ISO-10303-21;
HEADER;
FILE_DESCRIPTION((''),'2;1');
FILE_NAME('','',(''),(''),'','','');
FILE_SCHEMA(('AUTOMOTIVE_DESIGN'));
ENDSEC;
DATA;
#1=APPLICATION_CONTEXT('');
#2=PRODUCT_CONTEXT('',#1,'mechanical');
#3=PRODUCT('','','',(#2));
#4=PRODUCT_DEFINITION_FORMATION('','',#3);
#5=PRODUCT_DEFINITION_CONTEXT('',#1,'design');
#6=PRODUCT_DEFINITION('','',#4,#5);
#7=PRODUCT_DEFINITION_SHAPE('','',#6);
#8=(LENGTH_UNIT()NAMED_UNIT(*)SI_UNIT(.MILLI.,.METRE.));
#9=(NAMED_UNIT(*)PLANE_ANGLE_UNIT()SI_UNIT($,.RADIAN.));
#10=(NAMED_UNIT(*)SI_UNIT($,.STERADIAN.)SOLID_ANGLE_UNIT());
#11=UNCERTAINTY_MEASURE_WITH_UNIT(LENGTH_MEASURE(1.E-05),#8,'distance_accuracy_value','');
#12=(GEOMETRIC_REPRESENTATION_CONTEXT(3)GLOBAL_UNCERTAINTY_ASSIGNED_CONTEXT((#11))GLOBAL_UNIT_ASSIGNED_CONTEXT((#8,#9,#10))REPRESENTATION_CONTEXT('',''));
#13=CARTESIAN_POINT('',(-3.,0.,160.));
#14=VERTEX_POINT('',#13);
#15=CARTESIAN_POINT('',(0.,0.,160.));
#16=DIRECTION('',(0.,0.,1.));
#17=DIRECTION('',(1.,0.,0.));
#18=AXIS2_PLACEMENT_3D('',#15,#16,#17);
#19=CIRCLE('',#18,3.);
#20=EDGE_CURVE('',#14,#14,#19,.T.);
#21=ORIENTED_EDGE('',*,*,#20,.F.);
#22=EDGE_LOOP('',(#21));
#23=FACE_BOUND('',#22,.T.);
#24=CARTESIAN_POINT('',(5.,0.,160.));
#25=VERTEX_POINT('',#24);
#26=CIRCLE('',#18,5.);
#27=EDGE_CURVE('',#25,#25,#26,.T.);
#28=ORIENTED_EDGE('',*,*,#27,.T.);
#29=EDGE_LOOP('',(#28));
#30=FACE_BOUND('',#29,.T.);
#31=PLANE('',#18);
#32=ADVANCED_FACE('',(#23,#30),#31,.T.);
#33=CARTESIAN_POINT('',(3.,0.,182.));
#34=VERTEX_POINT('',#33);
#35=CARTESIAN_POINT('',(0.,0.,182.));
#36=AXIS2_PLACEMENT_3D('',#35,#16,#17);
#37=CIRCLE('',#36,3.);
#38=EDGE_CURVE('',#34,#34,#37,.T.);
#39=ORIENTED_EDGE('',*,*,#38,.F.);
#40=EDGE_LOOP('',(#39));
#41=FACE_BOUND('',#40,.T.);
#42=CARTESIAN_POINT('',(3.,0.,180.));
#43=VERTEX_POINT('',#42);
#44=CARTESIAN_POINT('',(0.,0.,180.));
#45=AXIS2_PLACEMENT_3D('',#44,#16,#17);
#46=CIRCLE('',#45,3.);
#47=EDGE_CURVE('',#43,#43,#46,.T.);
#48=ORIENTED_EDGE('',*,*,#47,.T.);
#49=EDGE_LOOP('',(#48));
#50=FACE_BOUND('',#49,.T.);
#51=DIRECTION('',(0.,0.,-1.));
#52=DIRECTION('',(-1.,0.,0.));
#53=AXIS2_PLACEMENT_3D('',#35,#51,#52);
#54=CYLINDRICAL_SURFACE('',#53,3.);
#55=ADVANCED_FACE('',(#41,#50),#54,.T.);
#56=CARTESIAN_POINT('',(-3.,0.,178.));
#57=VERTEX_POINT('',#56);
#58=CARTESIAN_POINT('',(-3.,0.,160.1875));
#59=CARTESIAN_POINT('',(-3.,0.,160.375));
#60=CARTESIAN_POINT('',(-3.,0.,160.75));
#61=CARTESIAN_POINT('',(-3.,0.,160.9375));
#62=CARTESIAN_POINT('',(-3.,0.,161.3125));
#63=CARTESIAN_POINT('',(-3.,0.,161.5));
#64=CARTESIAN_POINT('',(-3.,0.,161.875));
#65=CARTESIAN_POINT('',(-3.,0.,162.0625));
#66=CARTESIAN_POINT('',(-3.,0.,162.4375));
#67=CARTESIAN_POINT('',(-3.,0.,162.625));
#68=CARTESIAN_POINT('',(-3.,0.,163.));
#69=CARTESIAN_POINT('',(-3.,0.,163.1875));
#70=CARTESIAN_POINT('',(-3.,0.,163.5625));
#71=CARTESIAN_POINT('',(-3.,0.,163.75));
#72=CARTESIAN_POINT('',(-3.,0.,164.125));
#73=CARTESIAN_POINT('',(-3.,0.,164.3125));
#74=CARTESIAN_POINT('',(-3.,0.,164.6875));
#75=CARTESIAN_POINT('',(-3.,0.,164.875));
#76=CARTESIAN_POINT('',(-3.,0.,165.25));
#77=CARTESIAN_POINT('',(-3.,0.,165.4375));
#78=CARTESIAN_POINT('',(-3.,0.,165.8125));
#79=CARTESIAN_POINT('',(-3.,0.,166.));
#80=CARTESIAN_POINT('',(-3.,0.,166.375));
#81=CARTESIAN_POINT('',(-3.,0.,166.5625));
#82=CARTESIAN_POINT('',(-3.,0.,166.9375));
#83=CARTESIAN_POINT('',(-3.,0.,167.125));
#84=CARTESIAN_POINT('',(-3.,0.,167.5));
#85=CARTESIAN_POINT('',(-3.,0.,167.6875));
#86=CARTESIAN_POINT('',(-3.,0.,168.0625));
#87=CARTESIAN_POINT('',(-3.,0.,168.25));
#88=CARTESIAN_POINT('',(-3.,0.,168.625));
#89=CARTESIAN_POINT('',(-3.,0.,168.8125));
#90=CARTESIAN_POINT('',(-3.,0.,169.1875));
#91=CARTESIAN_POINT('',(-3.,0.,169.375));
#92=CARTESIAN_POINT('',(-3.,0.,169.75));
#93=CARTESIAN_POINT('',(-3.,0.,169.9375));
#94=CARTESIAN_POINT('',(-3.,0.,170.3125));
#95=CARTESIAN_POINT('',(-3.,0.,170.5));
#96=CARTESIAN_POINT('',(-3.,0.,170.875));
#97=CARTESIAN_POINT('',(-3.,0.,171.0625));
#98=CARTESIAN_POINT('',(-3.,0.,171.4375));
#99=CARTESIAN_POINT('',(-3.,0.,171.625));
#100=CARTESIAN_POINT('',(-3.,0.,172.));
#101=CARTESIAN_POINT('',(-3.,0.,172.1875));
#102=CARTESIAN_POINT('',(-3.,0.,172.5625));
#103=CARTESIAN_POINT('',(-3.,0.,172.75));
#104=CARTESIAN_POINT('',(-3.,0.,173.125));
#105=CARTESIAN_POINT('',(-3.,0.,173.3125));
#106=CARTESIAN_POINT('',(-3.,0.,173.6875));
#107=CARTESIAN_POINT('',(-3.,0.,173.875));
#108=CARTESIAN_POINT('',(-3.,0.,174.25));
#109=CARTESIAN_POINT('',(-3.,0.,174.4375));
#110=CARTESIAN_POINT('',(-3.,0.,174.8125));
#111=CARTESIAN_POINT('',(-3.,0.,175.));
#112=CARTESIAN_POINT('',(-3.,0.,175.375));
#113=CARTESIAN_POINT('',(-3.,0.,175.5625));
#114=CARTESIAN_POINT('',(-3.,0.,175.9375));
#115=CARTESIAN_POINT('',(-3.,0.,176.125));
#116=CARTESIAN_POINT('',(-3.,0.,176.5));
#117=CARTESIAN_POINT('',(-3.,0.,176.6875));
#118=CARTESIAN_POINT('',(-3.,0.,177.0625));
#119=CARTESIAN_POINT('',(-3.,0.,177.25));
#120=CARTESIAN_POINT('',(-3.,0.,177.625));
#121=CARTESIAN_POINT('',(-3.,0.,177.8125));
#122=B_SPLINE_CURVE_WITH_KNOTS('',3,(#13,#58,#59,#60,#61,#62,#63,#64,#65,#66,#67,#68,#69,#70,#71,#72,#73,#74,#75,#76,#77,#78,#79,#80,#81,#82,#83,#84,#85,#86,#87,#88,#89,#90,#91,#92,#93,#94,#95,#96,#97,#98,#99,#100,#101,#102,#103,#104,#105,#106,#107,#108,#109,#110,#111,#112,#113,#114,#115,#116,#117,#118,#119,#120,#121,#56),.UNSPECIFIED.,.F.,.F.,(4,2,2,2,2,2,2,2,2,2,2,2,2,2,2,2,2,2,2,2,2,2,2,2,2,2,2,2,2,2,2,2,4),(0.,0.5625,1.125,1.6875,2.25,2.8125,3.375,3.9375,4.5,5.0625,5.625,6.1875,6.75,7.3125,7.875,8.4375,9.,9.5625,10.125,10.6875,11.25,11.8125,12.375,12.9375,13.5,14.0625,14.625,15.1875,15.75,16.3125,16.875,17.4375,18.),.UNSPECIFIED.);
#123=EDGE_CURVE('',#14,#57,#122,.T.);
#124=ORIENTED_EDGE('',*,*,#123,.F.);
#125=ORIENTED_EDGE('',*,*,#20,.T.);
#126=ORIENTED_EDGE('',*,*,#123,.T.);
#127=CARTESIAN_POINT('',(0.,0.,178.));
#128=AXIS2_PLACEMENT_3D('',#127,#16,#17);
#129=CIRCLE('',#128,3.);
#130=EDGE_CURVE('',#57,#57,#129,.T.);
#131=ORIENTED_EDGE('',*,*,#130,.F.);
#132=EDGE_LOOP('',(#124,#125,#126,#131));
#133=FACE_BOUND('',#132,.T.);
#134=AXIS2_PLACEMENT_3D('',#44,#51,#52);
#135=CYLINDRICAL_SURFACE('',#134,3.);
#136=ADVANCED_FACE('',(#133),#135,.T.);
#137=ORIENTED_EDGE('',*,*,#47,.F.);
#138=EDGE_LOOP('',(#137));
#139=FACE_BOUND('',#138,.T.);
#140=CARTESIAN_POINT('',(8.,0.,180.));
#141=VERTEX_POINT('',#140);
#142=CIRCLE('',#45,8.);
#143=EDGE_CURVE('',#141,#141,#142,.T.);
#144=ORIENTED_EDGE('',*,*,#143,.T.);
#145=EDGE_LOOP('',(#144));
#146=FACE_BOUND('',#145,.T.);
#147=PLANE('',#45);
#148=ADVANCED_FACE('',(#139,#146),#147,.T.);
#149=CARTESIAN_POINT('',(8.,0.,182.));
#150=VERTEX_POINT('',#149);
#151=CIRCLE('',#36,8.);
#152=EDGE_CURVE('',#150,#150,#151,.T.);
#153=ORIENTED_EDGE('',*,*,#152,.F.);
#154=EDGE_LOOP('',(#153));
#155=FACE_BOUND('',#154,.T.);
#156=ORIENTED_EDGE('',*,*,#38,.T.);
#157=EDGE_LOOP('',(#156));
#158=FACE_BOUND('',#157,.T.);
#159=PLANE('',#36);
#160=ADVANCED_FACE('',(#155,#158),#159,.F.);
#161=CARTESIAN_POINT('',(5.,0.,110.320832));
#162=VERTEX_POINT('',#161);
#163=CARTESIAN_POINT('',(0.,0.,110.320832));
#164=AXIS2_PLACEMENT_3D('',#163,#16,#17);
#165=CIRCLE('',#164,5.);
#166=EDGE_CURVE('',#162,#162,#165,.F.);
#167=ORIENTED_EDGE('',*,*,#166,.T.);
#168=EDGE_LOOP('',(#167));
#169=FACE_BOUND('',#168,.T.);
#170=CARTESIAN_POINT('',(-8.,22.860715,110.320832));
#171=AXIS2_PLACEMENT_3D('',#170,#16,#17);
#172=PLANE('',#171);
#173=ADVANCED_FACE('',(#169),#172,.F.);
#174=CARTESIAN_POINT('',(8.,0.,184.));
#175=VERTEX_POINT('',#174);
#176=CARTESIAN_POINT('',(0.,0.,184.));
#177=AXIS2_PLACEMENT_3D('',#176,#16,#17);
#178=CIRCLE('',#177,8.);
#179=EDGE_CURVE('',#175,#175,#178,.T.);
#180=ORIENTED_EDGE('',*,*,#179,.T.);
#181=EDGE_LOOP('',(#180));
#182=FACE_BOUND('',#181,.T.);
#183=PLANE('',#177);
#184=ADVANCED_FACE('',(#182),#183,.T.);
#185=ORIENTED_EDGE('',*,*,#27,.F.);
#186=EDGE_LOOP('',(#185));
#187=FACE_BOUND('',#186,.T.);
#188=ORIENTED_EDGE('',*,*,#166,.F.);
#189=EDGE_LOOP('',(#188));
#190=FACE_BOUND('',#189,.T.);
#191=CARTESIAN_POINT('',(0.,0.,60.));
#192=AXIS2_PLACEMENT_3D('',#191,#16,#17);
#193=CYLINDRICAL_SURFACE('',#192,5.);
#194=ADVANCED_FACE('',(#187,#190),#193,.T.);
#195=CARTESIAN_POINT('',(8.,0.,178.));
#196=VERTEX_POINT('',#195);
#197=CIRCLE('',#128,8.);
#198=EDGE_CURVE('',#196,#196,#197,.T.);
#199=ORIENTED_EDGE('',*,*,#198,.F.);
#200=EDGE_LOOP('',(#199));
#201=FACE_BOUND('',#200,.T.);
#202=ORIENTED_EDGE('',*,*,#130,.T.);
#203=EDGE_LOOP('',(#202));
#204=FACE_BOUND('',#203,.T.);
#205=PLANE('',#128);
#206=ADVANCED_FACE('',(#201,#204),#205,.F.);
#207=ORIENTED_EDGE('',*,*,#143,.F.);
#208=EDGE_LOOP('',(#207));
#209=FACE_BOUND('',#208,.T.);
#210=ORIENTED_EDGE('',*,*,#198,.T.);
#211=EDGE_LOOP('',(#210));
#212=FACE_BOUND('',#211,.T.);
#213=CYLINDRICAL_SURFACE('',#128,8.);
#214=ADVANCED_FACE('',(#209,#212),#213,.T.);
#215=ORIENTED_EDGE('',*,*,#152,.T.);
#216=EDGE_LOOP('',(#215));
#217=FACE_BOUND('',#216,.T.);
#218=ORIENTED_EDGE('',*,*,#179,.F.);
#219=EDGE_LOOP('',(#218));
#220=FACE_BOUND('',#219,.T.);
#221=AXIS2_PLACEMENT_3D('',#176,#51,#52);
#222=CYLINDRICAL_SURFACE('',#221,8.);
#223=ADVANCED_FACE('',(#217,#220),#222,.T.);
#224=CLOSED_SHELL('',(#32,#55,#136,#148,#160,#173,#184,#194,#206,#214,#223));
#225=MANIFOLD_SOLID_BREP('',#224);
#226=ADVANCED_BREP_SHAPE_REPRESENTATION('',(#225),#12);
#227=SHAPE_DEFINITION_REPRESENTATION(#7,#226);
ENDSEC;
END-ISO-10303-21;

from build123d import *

# Parameters (mm, degrees)
SKETCH_1_R               = 3
EXTRUDE_1_DEPTH          = 180
SKETCH_2_R               = 8
EXTRUDE_2_DEPTH          = 2
EXTRUDE_START            = -178
SKETCH_2_2_R             = 8
EXTRUDE_3_DEPTH          = 2
EXTRUDE_START_2          = -2
SKETCH_1_2_R             = 3
EXTRUDE_4_DEPTH          = 2
EXTRUDE_START_3          = 180
SKETCH_1_3_R             = 3
EXTRUDE_5_DEPTH          = 2
EXTRUDE_START_4          = 4
SKETCH_2_3_R             = 8
EXTRUDE_6_DEPTH          = 2
EXTRUDE_START_5          = -182
SKETCH_2_4_R             = 8
EXTRUDE_7_DEPTH          = 2
EXTRUDE_START_6          = -64
SKETCH_3_R               = 5
EXTRUDE_10_DEPTH         = 60
CUT_EXTRUDE_1_DEPTH      = 185.347497949
CUT_EXTRUDE_1_DEPTH_BACK = 185.347497949
SKETCH_4_W               = 129.449632944
SKETCH_4_H               = 45.19740272
EXTRUDE_START_7          = 20
SKETCH_5_R               = 5
EXTRUDE_11_DEPTH         = 20
EXTRUDE_START_8          = 40
SKETCH_5_2_R             = 5
EXTRUDE_12_DEPTH         = 40


with BuildPart() as part:
    # 草图1 → 凸台-拉伸1 (new body)
    with BuildSketch(Plane.XY):
        with Locations(Location((0, 0, 0), (0, 0, 180))):
            Circle(SKETCH_1_R)
    extrude(amount=EXTRUDE_1_DEPTH)

    # 草图2 → 凸台-拉伸2 (add)
    with BuildSketch(Plane.XY.offset(180)):
        Circle(SKETCH_2_R)
    extrude(amount=-EXTRUDE_2_DEPTH)

    # 草图2<2> → 凸台-拉伸3 (add)
    with BuildSketch(Plane.XY.offset(180).offset(EXTRUDE_START)):
        Circle(SKETCH_2_2_R)
    extrude(amount=-EXTRUDE_3_DEPTH)

    # 草图1<2> → 凸台-拉伸4 (add)
    with BuildSketch(Plane.XY.offset(EXTRUDE_START_2)):
        with Locations(Location((0, 0, 0), (0, 0, 180))):
            Circle(SKETCH_1_2_R)
    extrude(amount=EXTRUDE_4_DEPTH)

    # 草图1<3> → 凸台-拉伸5 (add)
    with BuildSketch(Plane.XY.offset(EXTRUDE_START_3)):
        with Locations(Location((0, 0, 0), (0, 0, 180))):
            Circle(SKETCH_1_3_R)
    extrude(amount=EXTRUDE_5_DEPTH)

    # 草图2<3> → 凸台-拉伸6 (add)
    with BuildSketch(Plane.XY.offset(180).offset(EXTRUDE_START_4)):
        Circle(SKETCH_2_3_R)
    extrude(amount=-EXTRUDE_6_DEPTH)

    # 草图2<4> → 凸台-拉伸7 (add)
    with BuildSketch(Plane.XY.offset(180).offset(EXTRUDE_START_5)):
        Circle(SKETCH_2_4_R)
    extrude(amount=-EXTRUDE_7_DEPTH)

    # 草图3 → 凸台-拉伸10 (add)
    with BuildSketch(Plane.XY.offset(184).offset(EXTRUDE_START_6)):
        Circle(SKETCH_3_R)
    extrude(amount=-EXTRUDE_10_DEPTH)

    # 草图4 → 切除-拉伸1 (cut, two sides: drawn at the far end of the back side and taken through both)
    with BuildSketch(Plane(origin=(0, 0, 0), x_dir=(0, 0, -1), z_dir=(1, 0, 0)).offset(-CUT_EXTRUDE_1_DEPTH_BACK)):
        with Locations((-45.596015123, 0.262013929)):
            Rectangle(SKETCH_4_W, SKETCH_4_H)
    extrude(amount=CUT_EXTRUDE_1_DEPTH + CUT_EXTRUDE_1_DEPTH_BACK, mode=Mode.SUBTRACT)

    # 草图5 → 凸台-拉伸11 (add)
    with BuildSketch(Plane.XY.offset(120).offset(EXTRUDE_START_7)):
        Circle(SKETCH_5_R)
    extrude(amount=-EXTRUDE_11_DEPTH)

    # 草图5<2> → 凸台-拉伸12 (add)
    with BuildSketch(Plane.XY.offset(120).offset(EXTRUDE_START_8)):
        Circle(SKETCH_5_2_R)
    extrude(amount=-EXTRUDE_12_DEPTH)


solid = part.part
